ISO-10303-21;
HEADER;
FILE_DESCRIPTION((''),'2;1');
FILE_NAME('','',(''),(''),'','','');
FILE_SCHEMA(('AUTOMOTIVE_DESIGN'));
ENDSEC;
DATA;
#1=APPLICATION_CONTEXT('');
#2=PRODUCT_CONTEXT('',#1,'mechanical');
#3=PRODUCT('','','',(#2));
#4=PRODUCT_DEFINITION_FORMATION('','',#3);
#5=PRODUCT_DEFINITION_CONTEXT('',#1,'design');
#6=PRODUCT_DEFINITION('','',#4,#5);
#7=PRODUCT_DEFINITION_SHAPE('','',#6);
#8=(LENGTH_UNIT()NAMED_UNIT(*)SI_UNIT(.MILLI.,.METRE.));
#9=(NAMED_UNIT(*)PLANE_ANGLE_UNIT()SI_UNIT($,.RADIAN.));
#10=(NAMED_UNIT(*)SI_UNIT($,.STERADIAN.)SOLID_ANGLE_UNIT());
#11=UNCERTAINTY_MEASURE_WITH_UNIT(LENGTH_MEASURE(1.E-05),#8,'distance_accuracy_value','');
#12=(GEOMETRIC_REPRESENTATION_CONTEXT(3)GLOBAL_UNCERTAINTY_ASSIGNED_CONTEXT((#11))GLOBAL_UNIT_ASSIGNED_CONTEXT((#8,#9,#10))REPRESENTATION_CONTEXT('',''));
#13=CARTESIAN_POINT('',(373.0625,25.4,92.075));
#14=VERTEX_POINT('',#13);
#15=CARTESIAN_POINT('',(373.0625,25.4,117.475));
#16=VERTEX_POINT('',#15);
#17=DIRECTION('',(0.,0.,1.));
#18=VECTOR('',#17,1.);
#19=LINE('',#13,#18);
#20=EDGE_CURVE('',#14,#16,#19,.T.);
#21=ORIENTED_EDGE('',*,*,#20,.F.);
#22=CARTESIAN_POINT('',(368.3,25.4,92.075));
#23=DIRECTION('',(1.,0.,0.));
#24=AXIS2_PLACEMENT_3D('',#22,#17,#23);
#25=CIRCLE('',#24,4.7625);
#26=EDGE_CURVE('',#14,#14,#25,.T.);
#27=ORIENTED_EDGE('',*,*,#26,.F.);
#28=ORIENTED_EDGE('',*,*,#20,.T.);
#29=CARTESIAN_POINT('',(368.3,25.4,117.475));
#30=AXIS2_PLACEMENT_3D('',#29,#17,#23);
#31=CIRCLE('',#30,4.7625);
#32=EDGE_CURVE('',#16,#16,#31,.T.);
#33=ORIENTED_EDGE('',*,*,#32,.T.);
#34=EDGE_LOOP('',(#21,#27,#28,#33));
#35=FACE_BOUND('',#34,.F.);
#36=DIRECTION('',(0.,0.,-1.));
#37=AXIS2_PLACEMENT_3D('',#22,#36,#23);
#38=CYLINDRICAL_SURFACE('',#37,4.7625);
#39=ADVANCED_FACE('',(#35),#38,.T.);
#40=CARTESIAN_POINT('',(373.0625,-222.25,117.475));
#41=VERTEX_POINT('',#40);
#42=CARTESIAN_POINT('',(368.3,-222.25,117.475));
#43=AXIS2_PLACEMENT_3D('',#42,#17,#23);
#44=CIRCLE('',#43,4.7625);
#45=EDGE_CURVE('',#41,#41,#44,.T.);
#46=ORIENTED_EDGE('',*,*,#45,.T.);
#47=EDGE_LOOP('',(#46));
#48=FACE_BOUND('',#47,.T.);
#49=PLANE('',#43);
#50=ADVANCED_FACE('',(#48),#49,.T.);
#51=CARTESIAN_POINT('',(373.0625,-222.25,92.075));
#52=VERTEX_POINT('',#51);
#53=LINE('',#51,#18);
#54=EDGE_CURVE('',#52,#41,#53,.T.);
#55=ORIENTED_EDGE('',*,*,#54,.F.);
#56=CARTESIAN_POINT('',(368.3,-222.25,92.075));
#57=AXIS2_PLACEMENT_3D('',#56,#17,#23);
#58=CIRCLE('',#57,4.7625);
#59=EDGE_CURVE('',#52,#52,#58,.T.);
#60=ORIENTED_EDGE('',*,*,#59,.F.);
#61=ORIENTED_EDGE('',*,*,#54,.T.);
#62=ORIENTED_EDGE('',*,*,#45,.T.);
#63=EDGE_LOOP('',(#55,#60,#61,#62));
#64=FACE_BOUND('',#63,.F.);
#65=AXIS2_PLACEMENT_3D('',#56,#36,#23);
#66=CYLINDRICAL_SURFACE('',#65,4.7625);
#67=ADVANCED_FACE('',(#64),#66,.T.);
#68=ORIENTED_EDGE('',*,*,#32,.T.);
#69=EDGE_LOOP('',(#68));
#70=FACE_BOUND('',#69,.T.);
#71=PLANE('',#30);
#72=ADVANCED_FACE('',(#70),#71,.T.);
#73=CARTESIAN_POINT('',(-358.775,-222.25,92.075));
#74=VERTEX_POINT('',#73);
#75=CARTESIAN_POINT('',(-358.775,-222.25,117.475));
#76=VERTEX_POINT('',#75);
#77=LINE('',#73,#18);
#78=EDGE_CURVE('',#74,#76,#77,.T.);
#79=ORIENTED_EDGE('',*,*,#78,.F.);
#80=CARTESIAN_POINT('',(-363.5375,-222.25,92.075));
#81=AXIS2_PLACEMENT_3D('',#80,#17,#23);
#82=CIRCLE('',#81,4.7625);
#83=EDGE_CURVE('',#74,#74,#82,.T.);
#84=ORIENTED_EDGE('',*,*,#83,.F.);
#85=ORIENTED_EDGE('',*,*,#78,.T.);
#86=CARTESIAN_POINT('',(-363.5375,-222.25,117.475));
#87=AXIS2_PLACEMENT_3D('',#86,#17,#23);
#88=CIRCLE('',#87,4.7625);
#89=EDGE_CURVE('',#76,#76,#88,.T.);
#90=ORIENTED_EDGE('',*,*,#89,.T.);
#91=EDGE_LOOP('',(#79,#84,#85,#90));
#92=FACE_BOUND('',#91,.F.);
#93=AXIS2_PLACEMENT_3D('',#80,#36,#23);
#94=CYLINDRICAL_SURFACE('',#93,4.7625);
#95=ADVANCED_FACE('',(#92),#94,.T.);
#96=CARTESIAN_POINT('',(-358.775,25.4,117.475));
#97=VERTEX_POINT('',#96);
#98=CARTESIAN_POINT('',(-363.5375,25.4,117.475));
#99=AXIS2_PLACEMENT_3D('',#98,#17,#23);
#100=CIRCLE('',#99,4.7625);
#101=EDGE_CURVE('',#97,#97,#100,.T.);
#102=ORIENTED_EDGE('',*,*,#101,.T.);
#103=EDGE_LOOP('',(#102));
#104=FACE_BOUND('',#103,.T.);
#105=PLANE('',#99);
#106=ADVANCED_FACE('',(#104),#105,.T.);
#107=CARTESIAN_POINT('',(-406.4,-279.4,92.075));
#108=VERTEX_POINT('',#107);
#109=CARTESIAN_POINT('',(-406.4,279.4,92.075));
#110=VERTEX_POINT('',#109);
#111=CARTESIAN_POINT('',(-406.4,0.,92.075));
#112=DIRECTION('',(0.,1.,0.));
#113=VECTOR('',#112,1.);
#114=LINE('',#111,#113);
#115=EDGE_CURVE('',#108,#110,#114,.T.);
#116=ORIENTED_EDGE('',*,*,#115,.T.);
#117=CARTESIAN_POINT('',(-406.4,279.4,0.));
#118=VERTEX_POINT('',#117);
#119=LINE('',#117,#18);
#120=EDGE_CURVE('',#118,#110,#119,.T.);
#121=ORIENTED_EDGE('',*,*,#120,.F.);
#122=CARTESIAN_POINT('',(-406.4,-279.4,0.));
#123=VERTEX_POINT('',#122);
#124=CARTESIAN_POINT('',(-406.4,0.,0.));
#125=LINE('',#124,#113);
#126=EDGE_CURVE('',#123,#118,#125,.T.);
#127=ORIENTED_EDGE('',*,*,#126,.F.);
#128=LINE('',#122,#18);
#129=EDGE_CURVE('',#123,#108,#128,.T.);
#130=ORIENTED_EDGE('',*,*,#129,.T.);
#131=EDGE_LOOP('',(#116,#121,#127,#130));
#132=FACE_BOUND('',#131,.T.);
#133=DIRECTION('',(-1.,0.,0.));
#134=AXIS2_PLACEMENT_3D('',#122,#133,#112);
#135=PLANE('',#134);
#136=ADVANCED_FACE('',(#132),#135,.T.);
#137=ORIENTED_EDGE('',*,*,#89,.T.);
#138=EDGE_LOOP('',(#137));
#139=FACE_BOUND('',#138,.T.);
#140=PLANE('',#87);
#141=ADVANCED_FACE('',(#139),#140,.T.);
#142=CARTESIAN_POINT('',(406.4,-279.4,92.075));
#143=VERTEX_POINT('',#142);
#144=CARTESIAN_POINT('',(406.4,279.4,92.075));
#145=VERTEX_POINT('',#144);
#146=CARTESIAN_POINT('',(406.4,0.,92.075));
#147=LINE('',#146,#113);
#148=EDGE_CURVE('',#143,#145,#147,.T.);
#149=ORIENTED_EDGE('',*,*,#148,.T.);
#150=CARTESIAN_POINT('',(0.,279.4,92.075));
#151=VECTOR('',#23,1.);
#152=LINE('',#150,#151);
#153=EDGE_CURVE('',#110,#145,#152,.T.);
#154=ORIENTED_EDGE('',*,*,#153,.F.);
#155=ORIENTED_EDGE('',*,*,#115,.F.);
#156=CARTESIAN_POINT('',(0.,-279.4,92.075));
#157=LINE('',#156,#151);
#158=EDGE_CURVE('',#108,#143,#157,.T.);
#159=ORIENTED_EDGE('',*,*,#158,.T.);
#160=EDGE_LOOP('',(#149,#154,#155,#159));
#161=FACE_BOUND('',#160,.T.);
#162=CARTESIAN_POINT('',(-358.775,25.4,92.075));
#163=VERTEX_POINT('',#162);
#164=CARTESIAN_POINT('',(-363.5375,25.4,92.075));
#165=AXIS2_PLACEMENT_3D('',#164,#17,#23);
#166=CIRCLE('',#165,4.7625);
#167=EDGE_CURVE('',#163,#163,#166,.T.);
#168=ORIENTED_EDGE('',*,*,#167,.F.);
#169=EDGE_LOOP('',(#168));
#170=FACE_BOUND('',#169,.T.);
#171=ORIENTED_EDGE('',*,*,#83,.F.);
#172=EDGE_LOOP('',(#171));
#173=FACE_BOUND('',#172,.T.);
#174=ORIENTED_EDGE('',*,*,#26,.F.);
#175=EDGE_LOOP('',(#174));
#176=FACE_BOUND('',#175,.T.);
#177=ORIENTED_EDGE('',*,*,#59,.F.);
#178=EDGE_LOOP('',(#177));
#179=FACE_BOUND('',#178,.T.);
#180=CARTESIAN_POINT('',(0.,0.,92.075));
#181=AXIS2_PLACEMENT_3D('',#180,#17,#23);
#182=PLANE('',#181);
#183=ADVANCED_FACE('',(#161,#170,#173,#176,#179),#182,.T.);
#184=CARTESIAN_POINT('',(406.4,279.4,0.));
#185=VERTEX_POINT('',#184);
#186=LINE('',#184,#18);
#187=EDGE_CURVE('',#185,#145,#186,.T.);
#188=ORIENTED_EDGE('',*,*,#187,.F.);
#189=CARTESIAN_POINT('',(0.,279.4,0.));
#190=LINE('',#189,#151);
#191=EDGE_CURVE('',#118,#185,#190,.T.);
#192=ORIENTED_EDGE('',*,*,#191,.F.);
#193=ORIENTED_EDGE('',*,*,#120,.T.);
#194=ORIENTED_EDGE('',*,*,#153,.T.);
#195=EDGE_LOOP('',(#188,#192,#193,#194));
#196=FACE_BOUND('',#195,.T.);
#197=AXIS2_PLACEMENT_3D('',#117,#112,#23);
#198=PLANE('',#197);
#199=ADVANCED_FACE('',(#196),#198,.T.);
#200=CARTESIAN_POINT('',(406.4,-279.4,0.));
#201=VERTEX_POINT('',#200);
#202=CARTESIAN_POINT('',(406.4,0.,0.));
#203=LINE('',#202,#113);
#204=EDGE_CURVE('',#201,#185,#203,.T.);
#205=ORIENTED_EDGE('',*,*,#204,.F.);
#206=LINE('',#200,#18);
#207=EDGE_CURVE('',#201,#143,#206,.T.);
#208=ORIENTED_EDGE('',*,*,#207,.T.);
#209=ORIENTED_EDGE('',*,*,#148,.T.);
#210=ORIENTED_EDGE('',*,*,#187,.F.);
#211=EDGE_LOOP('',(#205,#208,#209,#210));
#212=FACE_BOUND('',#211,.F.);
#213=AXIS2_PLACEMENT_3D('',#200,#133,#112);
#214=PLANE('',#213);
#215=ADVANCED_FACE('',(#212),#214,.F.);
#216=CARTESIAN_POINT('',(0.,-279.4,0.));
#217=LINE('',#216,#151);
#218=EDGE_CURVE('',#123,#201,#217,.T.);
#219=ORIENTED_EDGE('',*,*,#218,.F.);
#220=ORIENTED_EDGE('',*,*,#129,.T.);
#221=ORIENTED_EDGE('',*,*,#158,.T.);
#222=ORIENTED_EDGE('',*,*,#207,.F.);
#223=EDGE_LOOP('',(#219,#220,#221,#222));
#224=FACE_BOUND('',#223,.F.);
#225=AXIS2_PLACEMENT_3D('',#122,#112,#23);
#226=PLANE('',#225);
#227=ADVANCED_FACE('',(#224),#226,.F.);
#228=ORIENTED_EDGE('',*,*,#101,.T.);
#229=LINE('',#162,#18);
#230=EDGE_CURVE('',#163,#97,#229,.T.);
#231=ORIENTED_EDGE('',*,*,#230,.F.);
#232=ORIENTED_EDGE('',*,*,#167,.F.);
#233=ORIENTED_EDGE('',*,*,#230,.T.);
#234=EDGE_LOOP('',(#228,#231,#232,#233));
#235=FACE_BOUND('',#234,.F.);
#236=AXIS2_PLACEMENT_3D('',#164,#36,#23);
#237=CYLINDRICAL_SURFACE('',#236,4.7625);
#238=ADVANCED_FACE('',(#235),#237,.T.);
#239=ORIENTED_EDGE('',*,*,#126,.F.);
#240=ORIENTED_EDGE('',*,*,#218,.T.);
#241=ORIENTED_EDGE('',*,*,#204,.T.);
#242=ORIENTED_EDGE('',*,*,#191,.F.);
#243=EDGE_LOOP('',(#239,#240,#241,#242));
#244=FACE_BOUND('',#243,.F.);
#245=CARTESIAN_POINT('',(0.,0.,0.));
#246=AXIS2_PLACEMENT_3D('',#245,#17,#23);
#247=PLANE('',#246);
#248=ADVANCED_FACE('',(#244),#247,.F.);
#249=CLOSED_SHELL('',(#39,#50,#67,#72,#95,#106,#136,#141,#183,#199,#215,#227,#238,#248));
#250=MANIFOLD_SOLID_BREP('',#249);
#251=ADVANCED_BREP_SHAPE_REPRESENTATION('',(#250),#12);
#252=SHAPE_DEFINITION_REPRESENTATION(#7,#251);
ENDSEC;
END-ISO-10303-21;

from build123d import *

# Parameters (mm, degrees)
F0_W     = 812.8
F0_H     = 558.8
F1_DEPTH = 92.075
F2_R     = 4.7625
F3_DEPTH = 25.4


with BuildPart() as f1:
    # F0 (on Top) → F1 (new body)
    with BuildSketch(Plane.XY):
        Rectangle(F0_W, F0_H)
    extrude(amount=F1_DEPTH)

    # F2 (on face) → F3 (join)
    with BuildSketch(Plane.XY.offset(92.075)):
        with Locations((-363.5375, 25.4)):
            Circle(F2_R)
        with Locations((-363.5375, -222.25)):
            Circle(F2_R)
        with Locations((368.3, 25.4)):
            Circle(F2_R)
        with Locations((368.3, -222.25)):
            Circle(F2_R)
    extrude(amount=F3_DEPTH)


solid = f1.part
